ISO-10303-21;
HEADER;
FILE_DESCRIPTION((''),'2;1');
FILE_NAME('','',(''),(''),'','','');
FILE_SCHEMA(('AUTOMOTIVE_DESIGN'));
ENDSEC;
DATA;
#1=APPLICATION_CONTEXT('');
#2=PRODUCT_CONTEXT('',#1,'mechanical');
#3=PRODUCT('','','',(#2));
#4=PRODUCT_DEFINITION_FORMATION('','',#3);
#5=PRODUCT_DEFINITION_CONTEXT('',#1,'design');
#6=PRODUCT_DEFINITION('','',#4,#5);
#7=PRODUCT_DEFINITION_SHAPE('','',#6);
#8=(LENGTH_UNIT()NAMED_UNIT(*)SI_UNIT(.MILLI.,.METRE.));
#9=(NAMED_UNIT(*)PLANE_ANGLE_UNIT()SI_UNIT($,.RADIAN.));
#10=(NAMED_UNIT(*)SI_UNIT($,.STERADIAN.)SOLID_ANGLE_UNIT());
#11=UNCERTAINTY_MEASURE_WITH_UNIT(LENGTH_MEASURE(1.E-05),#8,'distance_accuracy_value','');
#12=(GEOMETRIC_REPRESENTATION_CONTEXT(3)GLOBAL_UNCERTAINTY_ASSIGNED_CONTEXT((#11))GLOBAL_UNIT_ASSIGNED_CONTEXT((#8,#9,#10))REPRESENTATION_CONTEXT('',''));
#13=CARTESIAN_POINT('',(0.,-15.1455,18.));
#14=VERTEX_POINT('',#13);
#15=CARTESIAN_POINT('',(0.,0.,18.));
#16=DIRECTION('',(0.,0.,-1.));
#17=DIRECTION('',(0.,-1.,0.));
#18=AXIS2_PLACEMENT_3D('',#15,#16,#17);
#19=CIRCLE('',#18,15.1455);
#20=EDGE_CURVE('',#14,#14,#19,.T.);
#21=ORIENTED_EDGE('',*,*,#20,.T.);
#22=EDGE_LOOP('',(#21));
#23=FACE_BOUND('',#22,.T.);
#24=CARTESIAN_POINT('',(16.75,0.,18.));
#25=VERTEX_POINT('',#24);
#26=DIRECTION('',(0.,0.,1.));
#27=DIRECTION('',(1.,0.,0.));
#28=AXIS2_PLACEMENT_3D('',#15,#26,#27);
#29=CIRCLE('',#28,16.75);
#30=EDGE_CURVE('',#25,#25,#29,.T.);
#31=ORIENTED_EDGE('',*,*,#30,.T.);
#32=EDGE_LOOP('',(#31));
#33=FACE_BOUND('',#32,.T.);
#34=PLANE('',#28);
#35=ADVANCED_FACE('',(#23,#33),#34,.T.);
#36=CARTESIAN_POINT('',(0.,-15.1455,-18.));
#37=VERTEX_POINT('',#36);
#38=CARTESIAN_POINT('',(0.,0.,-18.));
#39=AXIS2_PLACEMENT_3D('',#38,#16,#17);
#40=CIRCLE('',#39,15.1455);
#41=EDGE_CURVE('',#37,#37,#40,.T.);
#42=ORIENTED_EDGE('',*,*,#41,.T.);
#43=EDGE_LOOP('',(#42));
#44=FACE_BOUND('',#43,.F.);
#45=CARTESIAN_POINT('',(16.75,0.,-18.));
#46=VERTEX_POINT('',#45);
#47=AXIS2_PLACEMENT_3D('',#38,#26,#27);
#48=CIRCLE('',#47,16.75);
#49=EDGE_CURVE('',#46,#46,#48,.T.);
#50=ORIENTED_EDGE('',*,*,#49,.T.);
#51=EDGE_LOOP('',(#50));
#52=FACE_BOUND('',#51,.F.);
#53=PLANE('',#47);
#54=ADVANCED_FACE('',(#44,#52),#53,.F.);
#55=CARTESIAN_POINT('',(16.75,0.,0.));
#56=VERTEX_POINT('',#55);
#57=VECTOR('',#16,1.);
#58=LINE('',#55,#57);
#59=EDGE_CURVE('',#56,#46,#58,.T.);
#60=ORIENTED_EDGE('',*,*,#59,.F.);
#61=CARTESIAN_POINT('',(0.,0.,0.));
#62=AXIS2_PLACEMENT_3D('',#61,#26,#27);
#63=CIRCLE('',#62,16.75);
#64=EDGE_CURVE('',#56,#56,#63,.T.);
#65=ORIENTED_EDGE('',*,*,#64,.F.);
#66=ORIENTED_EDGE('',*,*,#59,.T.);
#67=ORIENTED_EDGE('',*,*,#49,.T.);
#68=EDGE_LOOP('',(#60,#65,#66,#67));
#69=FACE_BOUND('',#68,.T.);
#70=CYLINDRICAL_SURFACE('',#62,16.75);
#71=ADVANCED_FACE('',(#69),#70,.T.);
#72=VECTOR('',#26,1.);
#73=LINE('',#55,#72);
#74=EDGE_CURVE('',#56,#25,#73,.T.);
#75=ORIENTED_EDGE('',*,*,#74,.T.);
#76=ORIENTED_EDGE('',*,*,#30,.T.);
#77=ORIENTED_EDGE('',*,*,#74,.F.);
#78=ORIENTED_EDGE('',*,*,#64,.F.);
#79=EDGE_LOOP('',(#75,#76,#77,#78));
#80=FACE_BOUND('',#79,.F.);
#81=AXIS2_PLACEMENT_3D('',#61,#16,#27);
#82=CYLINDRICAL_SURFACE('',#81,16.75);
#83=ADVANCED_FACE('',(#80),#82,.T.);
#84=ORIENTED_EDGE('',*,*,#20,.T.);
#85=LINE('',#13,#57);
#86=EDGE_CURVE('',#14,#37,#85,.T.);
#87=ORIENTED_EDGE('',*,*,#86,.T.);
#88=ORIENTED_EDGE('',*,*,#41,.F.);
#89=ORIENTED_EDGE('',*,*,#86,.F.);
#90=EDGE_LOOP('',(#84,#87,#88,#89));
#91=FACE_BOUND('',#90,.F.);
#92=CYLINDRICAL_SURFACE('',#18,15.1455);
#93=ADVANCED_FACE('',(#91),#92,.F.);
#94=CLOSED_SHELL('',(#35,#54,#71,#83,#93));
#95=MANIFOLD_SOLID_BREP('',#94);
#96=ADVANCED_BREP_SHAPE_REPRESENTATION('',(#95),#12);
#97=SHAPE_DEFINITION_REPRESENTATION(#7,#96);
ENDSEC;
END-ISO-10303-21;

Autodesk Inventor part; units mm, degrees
ref_plane "YZ Plane" through (0, 0, 0) normal (1, 0, 0) x (0, 1, 0)
ref_plane "XZ Plane" through (0, 0, 0) normal (0, 1, 0) x (-1, 0, 0)
ref_plane "XY Plane" through (0, 0, 0) normal (0, 0, 1) x (1, 0, 0)
sketch "Sketch1" plane through (0, 0, 0) normal (0, 0, 1) x (1, 0, 0)
  circle A0 centre (0, 0) radius 16.75
  dimension "d0" = 33.5
extrude "Extrusion1" add sketch "Sketch1" along normal mid plane 36
sketch "Sketch2" plane through (0, 0, 18) normal (0, 0, 1) x (1, 0, 0)
  point P0 (0, 0)
  point P1 (0, 0)
hole "Hole1" at (0, 0, 18) direction (0, 0, -1) diameter 30.291 end through all thread size "G33.249x2.309" designation "G 1" standard "ISO Pipe Threads"
properties part number "Штуцер фильтра D1200"
